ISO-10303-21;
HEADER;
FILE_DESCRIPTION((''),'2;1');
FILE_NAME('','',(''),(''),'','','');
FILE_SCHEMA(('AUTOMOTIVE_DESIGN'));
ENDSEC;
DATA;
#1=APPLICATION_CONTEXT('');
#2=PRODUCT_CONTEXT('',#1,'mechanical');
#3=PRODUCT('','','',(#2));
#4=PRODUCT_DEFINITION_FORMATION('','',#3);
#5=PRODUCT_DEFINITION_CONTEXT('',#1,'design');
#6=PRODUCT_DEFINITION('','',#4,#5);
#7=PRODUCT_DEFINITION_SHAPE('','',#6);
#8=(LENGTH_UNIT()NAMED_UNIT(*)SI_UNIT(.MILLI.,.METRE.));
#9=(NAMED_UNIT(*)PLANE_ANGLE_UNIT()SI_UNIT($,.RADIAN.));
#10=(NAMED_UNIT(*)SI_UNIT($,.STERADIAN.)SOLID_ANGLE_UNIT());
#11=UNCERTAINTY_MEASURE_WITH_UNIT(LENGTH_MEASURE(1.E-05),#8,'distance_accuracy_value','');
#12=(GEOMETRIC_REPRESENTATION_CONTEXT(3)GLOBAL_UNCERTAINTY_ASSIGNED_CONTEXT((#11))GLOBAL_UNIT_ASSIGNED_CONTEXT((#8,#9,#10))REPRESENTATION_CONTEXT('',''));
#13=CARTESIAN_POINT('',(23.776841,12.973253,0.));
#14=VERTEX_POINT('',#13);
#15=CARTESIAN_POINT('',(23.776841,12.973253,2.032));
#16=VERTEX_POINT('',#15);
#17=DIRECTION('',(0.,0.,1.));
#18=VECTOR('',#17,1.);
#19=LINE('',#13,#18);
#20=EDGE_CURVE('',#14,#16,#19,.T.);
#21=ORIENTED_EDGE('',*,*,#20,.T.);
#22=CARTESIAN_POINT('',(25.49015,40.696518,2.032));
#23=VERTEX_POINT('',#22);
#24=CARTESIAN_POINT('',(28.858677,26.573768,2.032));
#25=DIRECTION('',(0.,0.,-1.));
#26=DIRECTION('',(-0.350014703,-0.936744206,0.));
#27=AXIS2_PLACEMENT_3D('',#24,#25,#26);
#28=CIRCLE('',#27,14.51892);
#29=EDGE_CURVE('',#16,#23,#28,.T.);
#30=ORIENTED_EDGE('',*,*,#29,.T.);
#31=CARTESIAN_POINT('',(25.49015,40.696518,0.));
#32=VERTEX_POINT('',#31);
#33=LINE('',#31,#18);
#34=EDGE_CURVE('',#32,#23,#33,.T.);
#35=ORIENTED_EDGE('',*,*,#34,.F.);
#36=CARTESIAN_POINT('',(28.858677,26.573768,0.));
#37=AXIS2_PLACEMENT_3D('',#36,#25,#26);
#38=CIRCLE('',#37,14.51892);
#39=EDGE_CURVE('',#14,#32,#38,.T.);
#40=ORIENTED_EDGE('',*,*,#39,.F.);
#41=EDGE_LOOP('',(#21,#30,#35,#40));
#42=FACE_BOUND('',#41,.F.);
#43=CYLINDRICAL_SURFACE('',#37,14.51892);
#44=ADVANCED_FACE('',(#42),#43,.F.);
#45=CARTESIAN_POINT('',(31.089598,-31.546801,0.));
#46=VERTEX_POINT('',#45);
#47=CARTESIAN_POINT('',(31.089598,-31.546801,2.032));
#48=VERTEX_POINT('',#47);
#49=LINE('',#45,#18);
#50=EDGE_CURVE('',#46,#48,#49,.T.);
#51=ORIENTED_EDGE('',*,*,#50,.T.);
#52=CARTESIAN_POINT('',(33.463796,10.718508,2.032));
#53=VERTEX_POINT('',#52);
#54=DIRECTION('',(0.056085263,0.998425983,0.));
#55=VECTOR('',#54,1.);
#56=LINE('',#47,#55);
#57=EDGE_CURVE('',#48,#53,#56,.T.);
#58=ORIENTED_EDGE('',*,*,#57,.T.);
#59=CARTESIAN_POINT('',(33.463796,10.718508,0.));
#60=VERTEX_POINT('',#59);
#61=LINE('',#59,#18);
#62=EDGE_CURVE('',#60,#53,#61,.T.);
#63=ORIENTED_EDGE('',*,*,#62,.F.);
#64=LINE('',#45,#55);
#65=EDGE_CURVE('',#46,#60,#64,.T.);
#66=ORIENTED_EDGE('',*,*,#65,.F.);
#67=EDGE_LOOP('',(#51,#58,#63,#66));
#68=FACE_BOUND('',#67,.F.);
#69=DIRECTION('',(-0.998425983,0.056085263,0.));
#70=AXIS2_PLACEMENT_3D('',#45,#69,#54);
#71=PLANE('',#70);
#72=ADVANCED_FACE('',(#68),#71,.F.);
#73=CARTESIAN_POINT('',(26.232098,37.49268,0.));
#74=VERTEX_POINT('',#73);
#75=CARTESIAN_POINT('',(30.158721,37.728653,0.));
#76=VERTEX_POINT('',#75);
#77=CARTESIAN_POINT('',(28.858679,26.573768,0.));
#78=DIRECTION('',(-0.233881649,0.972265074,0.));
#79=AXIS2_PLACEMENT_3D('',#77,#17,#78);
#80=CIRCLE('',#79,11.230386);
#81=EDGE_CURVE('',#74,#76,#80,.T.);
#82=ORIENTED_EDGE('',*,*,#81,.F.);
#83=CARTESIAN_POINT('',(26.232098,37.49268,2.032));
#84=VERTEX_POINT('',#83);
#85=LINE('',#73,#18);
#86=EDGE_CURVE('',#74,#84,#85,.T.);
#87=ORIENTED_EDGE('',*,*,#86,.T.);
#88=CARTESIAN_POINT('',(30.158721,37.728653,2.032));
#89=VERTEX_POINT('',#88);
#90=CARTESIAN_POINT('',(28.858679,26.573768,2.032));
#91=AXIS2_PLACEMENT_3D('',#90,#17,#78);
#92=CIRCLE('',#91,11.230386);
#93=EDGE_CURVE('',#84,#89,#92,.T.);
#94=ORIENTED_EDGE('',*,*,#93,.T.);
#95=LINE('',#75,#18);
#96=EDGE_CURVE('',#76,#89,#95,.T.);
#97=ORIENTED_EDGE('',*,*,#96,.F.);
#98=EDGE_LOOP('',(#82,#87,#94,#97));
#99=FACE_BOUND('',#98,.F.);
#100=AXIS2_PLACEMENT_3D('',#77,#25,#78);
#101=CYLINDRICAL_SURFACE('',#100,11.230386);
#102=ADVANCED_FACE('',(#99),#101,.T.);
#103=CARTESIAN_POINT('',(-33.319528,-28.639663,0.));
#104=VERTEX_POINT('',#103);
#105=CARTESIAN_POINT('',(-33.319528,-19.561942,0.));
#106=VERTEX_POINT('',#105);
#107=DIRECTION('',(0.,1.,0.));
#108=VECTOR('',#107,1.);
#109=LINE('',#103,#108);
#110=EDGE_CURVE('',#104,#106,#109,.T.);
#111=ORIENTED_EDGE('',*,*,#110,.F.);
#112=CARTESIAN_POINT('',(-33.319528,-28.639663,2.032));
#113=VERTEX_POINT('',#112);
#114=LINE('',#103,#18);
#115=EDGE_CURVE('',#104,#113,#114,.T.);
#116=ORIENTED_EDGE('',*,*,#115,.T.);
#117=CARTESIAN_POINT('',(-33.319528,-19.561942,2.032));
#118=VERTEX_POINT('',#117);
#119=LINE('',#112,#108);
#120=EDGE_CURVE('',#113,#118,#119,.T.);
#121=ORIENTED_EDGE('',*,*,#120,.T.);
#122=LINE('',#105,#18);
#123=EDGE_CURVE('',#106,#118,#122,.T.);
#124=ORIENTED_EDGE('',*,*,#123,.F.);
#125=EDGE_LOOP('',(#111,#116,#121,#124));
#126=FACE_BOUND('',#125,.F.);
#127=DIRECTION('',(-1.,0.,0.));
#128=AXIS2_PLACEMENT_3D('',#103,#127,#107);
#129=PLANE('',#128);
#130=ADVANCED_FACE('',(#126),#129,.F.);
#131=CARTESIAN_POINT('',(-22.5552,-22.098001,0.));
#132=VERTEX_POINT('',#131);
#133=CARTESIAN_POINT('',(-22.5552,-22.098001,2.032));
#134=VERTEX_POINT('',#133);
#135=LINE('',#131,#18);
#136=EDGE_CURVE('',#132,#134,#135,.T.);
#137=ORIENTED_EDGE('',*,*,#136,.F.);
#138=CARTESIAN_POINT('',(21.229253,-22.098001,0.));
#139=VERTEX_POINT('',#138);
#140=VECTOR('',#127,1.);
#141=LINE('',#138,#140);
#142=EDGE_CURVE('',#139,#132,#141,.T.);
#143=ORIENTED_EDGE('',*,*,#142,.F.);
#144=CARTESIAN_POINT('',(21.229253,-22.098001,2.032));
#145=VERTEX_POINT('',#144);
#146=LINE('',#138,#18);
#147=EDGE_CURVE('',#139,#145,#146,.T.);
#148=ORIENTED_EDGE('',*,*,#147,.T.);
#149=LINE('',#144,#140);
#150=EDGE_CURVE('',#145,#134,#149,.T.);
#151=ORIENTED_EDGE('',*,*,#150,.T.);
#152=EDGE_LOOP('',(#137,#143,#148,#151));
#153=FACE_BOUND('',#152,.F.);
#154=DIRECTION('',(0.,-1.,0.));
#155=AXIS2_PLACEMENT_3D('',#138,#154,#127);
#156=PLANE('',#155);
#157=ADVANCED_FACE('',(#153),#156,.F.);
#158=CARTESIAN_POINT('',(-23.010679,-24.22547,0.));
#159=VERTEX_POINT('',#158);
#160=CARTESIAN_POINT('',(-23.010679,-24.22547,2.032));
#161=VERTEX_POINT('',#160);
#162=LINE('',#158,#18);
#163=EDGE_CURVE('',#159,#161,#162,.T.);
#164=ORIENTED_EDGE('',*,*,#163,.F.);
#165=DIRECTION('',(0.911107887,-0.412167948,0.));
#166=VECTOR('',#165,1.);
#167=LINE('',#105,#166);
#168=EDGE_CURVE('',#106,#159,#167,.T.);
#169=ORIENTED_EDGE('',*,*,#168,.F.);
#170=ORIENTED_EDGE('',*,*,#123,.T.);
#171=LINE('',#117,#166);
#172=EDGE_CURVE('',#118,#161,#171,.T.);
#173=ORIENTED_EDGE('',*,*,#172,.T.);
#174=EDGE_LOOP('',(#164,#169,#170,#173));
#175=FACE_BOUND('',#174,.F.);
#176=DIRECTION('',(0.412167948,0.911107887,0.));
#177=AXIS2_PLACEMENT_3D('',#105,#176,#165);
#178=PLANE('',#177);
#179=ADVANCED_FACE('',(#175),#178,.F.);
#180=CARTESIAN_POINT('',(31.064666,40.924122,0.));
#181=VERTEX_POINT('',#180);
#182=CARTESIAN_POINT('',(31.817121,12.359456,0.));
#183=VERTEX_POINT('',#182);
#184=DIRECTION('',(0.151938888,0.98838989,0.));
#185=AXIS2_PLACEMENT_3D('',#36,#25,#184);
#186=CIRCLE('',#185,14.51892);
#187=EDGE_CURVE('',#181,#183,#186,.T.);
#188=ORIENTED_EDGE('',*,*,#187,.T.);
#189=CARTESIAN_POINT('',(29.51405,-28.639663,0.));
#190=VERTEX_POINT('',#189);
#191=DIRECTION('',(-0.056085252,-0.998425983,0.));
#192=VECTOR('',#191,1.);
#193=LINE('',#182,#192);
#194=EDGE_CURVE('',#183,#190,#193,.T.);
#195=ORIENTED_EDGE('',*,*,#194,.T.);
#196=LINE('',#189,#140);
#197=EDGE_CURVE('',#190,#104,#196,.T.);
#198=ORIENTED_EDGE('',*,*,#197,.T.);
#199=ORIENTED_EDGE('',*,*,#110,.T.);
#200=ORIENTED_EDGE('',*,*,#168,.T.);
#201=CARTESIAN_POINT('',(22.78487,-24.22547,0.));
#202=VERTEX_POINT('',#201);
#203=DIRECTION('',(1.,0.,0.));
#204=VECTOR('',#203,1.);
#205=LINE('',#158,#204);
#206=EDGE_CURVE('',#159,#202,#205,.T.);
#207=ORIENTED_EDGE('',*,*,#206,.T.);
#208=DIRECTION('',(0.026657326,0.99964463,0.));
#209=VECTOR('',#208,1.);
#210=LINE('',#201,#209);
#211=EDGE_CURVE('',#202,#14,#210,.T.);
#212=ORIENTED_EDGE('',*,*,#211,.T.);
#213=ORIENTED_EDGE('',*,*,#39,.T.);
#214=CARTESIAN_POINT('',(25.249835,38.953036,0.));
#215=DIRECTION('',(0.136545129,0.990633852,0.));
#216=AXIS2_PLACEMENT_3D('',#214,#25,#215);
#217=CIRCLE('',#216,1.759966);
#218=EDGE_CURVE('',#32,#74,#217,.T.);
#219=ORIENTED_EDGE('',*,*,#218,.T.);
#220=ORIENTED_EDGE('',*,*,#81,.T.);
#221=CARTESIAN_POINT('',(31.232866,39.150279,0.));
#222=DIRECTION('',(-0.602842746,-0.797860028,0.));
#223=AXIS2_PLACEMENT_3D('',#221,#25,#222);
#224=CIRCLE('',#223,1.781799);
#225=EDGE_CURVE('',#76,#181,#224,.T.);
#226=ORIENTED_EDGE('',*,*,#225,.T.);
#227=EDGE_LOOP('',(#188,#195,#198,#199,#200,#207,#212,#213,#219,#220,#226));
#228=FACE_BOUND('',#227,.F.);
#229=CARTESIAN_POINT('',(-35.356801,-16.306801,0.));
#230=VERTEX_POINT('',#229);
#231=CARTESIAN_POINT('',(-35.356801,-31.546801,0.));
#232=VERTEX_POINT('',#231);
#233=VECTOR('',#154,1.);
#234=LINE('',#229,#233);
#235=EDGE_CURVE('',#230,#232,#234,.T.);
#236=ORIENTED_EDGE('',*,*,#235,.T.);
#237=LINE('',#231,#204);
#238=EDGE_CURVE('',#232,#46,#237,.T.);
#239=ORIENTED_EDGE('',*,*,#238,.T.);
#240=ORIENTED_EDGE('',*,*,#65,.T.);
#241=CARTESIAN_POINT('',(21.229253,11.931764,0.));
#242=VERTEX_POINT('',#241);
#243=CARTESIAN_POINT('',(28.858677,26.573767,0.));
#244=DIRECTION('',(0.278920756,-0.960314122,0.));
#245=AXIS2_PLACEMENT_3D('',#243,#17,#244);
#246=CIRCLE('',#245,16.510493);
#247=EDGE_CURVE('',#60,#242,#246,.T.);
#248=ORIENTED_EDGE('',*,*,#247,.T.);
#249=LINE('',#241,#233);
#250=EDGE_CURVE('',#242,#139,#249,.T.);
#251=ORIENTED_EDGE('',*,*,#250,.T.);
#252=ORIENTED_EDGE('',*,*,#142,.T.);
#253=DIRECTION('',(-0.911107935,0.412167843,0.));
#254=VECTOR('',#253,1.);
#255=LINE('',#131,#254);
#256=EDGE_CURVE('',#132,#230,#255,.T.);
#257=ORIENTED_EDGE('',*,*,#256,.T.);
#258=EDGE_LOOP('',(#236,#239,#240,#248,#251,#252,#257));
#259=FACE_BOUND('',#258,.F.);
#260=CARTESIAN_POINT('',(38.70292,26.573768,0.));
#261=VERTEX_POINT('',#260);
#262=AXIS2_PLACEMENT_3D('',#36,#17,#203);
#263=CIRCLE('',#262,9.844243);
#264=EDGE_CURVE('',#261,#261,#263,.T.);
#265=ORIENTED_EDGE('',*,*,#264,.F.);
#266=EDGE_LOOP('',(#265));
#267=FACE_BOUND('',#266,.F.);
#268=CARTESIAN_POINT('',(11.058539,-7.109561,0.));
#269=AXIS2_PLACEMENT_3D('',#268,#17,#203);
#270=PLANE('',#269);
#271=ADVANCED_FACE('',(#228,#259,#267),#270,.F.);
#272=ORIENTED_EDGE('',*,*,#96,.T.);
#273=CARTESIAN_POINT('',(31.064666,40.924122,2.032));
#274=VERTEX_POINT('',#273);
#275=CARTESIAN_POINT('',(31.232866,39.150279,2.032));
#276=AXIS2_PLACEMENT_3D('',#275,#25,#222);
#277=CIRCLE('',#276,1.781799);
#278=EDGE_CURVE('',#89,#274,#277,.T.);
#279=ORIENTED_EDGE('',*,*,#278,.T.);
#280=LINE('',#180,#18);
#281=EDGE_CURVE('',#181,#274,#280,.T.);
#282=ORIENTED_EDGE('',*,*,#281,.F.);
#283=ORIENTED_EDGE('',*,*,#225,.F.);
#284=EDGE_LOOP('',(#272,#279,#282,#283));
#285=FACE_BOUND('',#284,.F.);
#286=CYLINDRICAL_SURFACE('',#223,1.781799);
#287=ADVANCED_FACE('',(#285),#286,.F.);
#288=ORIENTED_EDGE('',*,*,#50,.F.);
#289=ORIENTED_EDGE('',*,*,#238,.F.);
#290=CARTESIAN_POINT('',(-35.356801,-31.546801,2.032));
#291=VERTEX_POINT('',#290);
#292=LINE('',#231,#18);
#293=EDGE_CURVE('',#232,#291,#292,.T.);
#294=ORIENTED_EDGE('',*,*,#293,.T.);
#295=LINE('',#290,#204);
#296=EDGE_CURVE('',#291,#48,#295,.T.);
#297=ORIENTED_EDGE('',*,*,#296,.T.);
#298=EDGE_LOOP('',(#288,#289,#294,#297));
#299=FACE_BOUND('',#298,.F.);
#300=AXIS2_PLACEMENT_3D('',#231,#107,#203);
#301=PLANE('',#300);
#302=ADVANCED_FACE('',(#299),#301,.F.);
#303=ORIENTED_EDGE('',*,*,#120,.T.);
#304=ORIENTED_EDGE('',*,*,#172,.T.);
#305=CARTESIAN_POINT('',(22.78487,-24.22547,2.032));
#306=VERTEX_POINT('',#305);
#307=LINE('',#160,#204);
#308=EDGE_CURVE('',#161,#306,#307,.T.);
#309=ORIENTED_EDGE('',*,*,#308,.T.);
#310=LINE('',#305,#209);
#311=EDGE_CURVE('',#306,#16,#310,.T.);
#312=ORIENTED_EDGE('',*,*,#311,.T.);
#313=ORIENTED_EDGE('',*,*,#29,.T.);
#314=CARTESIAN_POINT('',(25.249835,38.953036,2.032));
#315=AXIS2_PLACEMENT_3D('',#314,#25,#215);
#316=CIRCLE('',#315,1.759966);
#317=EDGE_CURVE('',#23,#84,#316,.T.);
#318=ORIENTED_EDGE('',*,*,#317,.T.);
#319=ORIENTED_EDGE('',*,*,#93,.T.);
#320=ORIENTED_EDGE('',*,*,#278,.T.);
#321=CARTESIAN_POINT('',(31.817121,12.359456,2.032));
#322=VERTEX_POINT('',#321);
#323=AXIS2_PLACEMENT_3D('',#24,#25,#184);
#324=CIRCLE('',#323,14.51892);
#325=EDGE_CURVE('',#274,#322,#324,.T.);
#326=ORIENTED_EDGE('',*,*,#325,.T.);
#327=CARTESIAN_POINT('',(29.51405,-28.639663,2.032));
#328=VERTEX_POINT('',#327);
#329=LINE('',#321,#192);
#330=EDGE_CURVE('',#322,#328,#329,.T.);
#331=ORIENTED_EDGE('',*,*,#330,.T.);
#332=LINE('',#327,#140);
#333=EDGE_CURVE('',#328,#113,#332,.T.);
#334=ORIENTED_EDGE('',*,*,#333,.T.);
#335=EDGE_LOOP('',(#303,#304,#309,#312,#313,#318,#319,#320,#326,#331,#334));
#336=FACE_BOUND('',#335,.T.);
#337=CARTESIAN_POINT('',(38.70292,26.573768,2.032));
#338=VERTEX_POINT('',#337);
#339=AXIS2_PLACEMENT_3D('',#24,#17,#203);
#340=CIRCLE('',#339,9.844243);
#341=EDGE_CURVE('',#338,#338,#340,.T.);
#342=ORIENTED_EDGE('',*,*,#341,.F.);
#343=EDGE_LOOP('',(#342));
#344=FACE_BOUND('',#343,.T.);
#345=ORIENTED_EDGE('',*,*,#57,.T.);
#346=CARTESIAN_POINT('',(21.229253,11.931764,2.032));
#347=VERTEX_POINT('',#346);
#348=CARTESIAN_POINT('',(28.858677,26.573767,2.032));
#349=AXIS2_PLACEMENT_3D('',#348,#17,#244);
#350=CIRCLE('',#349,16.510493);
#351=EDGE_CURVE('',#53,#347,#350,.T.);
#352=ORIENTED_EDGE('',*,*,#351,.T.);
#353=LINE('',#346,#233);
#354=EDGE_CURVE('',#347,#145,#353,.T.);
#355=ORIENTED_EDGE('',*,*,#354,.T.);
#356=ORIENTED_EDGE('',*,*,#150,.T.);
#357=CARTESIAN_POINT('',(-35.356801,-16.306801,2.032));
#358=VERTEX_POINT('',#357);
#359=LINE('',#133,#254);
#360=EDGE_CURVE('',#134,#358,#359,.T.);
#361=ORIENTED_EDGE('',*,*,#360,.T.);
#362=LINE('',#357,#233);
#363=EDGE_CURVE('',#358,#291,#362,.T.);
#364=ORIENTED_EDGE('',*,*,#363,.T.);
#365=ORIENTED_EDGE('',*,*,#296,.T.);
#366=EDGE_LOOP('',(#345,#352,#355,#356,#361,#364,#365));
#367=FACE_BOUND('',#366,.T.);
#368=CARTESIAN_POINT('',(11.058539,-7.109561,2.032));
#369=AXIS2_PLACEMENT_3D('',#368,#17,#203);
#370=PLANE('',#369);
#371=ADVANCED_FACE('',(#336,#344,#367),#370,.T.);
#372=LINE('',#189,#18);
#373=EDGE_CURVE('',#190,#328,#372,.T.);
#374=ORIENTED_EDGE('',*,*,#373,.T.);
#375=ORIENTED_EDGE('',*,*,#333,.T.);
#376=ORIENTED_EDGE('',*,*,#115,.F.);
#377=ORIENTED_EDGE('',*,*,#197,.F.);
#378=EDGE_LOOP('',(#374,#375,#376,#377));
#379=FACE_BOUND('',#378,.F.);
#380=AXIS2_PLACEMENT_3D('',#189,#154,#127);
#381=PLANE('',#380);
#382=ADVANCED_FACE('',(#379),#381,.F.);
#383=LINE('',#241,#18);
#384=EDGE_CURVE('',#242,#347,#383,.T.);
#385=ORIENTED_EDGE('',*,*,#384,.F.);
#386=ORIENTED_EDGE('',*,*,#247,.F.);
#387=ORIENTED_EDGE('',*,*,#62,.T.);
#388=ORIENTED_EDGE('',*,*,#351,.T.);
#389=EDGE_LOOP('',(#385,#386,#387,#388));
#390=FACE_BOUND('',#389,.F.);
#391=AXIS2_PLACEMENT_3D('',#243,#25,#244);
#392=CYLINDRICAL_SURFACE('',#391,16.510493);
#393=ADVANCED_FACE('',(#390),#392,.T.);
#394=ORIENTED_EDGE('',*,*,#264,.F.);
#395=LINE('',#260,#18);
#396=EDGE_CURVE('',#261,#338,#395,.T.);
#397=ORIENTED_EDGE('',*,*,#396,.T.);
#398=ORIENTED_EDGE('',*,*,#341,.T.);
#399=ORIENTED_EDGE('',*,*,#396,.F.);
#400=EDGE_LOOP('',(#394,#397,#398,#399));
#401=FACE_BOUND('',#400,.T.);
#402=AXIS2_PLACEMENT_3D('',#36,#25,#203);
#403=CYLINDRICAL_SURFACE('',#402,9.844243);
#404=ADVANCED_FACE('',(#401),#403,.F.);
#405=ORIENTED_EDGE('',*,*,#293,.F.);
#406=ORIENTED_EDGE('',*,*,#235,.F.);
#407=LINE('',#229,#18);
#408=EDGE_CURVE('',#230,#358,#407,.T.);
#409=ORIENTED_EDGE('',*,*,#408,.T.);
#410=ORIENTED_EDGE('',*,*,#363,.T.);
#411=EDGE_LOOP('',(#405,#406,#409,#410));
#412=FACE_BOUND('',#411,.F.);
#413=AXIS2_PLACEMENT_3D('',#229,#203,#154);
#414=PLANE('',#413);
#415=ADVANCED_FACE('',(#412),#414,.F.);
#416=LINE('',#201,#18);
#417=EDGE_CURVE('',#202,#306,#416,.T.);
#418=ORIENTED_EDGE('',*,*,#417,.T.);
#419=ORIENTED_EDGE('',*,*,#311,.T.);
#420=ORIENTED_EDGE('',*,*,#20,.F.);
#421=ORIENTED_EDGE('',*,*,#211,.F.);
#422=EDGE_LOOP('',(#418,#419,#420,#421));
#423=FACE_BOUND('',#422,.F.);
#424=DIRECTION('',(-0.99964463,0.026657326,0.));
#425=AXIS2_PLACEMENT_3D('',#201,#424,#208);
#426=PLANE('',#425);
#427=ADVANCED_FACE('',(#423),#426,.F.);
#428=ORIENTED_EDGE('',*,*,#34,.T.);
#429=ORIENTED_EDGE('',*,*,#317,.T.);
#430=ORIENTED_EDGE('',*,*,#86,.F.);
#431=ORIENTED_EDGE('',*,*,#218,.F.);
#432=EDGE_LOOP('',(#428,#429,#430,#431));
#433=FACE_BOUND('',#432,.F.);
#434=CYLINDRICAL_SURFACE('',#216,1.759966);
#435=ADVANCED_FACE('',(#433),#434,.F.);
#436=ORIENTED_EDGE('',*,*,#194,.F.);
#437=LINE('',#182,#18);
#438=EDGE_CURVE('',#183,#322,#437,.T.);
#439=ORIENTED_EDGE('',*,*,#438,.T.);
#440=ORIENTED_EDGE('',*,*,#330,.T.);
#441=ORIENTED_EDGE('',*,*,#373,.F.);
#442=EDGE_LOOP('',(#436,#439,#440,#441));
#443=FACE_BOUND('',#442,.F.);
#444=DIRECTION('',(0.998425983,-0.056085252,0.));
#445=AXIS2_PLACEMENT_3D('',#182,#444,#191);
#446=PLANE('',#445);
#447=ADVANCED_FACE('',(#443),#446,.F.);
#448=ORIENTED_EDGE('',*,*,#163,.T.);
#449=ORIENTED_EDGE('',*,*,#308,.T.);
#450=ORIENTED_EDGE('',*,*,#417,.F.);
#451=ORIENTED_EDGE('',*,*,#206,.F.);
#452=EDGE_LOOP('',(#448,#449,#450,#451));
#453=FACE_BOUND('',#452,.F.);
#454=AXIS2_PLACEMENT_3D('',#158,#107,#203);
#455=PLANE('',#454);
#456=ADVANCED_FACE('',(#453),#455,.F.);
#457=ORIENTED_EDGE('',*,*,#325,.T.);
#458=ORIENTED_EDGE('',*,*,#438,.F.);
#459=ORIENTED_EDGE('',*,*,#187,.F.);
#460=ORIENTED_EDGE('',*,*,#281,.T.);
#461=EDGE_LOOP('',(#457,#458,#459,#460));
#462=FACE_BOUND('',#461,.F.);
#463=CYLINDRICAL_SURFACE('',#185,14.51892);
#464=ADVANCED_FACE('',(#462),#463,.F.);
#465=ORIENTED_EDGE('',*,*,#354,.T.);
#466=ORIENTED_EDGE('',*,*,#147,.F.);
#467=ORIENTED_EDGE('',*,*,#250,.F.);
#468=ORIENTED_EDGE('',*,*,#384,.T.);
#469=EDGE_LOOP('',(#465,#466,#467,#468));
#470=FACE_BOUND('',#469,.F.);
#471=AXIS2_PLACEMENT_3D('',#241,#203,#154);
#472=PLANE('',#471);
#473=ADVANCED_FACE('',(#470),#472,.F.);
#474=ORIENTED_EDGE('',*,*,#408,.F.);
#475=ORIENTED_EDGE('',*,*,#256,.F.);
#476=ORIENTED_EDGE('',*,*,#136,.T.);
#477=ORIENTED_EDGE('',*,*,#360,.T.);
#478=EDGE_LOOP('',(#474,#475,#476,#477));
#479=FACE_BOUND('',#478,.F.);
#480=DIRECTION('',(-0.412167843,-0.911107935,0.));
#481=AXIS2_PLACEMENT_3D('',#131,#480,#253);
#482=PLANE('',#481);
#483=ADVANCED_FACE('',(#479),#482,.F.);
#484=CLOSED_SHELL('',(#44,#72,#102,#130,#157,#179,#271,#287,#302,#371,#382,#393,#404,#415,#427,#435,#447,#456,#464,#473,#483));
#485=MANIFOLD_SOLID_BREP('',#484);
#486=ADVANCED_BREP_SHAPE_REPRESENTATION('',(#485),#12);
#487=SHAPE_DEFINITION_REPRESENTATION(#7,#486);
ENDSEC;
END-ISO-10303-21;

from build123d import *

# Parameters (mm, degrees)
F0_R     = 9.844243
F1_DEPTH = 2.032


with BuildPart() as f1:
    # F0 (on Top) → F1 (new body)
    with BuildSketch(Plane.XY):
        with BuildLine():
            Line((31.089598, -31.546801), (33.463796, 10.718508))
            ThreePointArc((33.463796, 10.718508), (30.487972, 43.003672), (21.229253, 11.931764))
            Line((21.229253, 11.931764), (21.229253, -22.098001))
            Line((21.229253, -22.098001), (-22.5552, -22.098001))
            Line((-22.5552, -22.098001), (-35.356801, -16.306801))
            Line((-35.356801, -16.306801), (-35.356801, -31.546801))
            Line((-35.356801, -31.546801), (31.089598, -31.546801))
        make_face()
        with BuildLine():
            ThreePointArc((31.064666, 40.924122), (43.372563, 26.956095), (31.817121, 12.359456))
            Line((31.817121, 12.359456), (29.51405, -28.639663))
            Line((29.51405, -28.639663), (-33.319528, -28.639663))
            Line((-33.319528, -28.639663), (-33.319528, -19.561942))
            Line((-33.319528, -19.561942), (-23.010679, -24.22547))
            Line((-23.010679, -24.22547), (22.78487, -24.22547))
            Line((22.78487, -24.22547), (23.776841, 12.973253))
            ThreePointArc((23.776841, 12.973253), (14.367403, 27.469334), (25.49015, 40.696518))
            ThreePointArc((25.49015, 40.696518), (26.964425, 39.350103), (26.232098, 37.49268))
            ThreePointArc((26.232098, 37.49268), (29.532357, 15.363606), (30.158721, 37.728653))
            ThreePointArc((30.158721, 37.728653), (29.518628, 39.636281), (31.064666, 40.924122))
        make_face(mode=Mode.SUBTRACT)
        with Locations((28.858677, 26.573768)):
            Circle(F0_R, mode=Mode.SUBTRACT)
    extrude(amount=F1_DEPTH)


solid = f1.part
